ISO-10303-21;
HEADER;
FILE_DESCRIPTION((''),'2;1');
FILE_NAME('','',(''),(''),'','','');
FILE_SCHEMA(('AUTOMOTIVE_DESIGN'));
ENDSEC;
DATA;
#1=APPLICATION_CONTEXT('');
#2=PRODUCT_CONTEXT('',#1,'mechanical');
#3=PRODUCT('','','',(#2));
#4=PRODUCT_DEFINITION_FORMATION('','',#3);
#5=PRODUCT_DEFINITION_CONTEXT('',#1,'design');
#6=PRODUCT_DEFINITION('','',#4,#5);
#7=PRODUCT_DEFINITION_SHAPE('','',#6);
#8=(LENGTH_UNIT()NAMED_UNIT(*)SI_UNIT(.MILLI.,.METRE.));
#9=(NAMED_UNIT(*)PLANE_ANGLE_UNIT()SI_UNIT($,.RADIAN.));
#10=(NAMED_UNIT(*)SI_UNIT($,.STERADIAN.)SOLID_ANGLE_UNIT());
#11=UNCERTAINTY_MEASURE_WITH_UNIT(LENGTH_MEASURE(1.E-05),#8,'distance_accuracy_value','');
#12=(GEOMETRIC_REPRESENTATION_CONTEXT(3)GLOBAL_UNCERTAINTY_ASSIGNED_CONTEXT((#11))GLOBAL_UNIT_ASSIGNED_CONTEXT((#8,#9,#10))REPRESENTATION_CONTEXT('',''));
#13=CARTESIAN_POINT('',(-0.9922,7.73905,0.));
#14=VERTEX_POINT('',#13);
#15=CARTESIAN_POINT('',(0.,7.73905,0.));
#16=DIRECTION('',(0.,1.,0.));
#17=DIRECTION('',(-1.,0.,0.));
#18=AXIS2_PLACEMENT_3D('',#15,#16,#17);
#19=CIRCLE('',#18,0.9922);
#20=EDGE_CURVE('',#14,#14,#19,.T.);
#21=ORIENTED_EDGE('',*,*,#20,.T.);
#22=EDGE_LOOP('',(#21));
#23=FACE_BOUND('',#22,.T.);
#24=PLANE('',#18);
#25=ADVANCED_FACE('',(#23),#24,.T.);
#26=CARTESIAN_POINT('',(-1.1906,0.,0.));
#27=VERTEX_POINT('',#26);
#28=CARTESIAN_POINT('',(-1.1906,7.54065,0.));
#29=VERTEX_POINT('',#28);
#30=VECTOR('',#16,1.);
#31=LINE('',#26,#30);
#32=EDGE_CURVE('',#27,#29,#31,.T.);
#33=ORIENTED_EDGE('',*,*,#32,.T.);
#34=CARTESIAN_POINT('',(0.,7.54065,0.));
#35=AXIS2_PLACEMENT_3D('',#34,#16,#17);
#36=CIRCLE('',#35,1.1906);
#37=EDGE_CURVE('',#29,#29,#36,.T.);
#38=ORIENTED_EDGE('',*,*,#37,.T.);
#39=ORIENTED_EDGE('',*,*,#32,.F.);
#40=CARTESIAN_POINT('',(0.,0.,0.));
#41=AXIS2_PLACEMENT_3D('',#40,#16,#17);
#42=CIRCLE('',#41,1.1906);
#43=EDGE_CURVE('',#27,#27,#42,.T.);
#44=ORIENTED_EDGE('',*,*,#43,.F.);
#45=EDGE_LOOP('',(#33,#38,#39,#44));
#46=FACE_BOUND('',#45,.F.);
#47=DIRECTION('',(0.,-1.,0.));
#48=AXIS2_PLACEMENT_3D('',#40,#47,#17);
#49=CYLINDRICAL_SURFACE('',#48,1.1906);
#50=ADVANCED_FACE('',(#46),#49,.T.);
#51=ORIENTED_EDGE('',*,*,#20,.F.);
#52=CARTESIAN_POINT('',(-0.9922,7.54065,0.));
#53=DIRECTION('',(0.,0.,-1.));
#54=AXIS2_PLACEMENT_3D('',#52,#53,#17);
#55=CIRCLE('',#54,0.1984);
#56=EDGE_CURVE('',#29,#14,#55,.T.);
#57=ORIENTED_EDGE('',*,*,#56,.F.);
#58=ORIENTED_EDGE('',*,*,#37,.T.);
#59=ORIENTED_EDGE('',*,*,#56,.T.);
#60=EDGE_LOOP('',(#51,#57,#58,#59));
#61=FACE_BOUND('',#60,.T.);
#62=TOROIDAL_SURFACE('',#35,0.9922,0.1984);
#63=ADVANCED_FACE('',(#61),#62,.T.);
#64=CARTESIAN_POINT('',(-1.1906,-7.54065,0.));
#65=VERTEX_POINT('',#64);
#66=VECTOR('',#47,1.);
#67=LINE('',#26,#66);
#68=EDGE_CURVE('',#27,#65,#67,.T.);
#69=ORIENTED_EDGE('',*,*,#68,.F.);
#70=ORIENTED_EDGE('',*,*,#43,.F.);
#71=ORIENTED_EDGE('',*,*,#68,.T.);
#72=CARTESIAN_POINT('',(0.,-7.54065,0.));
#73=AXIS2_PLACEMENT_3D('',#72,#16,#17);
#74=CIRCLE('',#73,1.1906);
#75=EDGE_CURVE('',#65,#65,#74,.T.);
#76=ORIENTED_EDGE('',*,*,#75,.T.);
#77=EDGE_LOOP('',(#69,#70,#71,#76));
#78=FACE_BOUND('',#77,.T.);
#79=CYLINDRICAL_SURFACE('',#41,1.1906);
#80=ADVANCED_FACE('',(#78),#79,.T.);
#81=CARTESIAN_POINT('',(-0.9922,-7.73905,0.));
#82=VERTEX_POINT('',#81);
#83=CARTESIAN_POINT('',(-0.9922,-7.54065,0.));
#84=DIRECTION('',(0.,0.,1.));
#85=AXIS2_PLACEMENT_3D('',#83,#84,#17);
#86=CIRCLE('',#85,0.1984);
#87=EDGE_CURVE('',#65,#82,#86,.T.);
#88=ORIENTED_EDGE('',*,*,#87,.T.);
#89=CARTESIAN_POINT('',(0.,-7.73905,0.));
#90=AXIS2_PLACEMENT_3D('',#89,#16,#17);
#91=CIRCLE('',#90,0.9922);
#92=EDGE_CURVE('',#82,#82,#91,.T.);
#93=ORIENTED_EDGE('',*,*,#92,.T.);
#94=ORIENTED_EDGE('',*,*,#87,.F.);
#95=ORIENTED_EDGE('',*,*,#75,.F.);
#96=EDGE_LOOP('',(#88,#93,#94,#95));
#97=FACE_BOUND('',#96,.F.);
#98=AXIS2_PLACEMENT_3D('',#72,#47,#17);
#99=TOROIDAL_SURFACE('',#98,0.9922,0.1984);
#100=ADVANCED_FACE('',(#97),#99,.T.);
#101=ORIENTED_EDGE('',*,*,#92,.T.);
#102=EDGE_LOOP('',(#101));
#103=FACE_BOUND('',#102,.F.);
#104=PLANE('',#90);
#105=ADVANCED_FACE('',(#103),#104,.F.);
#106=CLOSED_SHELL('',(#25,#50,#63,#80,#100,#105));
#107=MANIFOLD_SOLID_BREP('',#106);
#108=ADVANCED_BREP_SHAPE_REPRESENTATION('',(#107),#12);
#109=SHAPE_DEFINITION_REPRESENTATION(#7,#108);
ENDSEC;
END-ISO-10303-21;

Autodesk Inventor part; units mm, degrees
ref_plane "YZ Plane" through (0, 0, 0) normal (1, 0, 0) x (0, 1, 0)
ref_plane "XZ Plane" through (0, 0, 0) normal (0, 1, 0) x (-1, 0, 0)
ref_plane "XY Plane" through (0, 0, 0) normal (0, 0, 1) x (1, 0, 0)
sketch "Sketch1" plane through (0, 0, 0) normal (0, 1, 0) x (-1, 0, 0)
  circle A0 centre (0, 0) radius 1.1906
  dimension "d0" = 2.3813
extrude "Extrusion1" add sketch "Sketch1" along normal mid plane 15.4781
fillet "Fillet1" radius 0.1984 2 edges at (1.1906, 7.7391, 0) (1.1906, -7.7391, 0)
properties part number "Wrist Pin"
